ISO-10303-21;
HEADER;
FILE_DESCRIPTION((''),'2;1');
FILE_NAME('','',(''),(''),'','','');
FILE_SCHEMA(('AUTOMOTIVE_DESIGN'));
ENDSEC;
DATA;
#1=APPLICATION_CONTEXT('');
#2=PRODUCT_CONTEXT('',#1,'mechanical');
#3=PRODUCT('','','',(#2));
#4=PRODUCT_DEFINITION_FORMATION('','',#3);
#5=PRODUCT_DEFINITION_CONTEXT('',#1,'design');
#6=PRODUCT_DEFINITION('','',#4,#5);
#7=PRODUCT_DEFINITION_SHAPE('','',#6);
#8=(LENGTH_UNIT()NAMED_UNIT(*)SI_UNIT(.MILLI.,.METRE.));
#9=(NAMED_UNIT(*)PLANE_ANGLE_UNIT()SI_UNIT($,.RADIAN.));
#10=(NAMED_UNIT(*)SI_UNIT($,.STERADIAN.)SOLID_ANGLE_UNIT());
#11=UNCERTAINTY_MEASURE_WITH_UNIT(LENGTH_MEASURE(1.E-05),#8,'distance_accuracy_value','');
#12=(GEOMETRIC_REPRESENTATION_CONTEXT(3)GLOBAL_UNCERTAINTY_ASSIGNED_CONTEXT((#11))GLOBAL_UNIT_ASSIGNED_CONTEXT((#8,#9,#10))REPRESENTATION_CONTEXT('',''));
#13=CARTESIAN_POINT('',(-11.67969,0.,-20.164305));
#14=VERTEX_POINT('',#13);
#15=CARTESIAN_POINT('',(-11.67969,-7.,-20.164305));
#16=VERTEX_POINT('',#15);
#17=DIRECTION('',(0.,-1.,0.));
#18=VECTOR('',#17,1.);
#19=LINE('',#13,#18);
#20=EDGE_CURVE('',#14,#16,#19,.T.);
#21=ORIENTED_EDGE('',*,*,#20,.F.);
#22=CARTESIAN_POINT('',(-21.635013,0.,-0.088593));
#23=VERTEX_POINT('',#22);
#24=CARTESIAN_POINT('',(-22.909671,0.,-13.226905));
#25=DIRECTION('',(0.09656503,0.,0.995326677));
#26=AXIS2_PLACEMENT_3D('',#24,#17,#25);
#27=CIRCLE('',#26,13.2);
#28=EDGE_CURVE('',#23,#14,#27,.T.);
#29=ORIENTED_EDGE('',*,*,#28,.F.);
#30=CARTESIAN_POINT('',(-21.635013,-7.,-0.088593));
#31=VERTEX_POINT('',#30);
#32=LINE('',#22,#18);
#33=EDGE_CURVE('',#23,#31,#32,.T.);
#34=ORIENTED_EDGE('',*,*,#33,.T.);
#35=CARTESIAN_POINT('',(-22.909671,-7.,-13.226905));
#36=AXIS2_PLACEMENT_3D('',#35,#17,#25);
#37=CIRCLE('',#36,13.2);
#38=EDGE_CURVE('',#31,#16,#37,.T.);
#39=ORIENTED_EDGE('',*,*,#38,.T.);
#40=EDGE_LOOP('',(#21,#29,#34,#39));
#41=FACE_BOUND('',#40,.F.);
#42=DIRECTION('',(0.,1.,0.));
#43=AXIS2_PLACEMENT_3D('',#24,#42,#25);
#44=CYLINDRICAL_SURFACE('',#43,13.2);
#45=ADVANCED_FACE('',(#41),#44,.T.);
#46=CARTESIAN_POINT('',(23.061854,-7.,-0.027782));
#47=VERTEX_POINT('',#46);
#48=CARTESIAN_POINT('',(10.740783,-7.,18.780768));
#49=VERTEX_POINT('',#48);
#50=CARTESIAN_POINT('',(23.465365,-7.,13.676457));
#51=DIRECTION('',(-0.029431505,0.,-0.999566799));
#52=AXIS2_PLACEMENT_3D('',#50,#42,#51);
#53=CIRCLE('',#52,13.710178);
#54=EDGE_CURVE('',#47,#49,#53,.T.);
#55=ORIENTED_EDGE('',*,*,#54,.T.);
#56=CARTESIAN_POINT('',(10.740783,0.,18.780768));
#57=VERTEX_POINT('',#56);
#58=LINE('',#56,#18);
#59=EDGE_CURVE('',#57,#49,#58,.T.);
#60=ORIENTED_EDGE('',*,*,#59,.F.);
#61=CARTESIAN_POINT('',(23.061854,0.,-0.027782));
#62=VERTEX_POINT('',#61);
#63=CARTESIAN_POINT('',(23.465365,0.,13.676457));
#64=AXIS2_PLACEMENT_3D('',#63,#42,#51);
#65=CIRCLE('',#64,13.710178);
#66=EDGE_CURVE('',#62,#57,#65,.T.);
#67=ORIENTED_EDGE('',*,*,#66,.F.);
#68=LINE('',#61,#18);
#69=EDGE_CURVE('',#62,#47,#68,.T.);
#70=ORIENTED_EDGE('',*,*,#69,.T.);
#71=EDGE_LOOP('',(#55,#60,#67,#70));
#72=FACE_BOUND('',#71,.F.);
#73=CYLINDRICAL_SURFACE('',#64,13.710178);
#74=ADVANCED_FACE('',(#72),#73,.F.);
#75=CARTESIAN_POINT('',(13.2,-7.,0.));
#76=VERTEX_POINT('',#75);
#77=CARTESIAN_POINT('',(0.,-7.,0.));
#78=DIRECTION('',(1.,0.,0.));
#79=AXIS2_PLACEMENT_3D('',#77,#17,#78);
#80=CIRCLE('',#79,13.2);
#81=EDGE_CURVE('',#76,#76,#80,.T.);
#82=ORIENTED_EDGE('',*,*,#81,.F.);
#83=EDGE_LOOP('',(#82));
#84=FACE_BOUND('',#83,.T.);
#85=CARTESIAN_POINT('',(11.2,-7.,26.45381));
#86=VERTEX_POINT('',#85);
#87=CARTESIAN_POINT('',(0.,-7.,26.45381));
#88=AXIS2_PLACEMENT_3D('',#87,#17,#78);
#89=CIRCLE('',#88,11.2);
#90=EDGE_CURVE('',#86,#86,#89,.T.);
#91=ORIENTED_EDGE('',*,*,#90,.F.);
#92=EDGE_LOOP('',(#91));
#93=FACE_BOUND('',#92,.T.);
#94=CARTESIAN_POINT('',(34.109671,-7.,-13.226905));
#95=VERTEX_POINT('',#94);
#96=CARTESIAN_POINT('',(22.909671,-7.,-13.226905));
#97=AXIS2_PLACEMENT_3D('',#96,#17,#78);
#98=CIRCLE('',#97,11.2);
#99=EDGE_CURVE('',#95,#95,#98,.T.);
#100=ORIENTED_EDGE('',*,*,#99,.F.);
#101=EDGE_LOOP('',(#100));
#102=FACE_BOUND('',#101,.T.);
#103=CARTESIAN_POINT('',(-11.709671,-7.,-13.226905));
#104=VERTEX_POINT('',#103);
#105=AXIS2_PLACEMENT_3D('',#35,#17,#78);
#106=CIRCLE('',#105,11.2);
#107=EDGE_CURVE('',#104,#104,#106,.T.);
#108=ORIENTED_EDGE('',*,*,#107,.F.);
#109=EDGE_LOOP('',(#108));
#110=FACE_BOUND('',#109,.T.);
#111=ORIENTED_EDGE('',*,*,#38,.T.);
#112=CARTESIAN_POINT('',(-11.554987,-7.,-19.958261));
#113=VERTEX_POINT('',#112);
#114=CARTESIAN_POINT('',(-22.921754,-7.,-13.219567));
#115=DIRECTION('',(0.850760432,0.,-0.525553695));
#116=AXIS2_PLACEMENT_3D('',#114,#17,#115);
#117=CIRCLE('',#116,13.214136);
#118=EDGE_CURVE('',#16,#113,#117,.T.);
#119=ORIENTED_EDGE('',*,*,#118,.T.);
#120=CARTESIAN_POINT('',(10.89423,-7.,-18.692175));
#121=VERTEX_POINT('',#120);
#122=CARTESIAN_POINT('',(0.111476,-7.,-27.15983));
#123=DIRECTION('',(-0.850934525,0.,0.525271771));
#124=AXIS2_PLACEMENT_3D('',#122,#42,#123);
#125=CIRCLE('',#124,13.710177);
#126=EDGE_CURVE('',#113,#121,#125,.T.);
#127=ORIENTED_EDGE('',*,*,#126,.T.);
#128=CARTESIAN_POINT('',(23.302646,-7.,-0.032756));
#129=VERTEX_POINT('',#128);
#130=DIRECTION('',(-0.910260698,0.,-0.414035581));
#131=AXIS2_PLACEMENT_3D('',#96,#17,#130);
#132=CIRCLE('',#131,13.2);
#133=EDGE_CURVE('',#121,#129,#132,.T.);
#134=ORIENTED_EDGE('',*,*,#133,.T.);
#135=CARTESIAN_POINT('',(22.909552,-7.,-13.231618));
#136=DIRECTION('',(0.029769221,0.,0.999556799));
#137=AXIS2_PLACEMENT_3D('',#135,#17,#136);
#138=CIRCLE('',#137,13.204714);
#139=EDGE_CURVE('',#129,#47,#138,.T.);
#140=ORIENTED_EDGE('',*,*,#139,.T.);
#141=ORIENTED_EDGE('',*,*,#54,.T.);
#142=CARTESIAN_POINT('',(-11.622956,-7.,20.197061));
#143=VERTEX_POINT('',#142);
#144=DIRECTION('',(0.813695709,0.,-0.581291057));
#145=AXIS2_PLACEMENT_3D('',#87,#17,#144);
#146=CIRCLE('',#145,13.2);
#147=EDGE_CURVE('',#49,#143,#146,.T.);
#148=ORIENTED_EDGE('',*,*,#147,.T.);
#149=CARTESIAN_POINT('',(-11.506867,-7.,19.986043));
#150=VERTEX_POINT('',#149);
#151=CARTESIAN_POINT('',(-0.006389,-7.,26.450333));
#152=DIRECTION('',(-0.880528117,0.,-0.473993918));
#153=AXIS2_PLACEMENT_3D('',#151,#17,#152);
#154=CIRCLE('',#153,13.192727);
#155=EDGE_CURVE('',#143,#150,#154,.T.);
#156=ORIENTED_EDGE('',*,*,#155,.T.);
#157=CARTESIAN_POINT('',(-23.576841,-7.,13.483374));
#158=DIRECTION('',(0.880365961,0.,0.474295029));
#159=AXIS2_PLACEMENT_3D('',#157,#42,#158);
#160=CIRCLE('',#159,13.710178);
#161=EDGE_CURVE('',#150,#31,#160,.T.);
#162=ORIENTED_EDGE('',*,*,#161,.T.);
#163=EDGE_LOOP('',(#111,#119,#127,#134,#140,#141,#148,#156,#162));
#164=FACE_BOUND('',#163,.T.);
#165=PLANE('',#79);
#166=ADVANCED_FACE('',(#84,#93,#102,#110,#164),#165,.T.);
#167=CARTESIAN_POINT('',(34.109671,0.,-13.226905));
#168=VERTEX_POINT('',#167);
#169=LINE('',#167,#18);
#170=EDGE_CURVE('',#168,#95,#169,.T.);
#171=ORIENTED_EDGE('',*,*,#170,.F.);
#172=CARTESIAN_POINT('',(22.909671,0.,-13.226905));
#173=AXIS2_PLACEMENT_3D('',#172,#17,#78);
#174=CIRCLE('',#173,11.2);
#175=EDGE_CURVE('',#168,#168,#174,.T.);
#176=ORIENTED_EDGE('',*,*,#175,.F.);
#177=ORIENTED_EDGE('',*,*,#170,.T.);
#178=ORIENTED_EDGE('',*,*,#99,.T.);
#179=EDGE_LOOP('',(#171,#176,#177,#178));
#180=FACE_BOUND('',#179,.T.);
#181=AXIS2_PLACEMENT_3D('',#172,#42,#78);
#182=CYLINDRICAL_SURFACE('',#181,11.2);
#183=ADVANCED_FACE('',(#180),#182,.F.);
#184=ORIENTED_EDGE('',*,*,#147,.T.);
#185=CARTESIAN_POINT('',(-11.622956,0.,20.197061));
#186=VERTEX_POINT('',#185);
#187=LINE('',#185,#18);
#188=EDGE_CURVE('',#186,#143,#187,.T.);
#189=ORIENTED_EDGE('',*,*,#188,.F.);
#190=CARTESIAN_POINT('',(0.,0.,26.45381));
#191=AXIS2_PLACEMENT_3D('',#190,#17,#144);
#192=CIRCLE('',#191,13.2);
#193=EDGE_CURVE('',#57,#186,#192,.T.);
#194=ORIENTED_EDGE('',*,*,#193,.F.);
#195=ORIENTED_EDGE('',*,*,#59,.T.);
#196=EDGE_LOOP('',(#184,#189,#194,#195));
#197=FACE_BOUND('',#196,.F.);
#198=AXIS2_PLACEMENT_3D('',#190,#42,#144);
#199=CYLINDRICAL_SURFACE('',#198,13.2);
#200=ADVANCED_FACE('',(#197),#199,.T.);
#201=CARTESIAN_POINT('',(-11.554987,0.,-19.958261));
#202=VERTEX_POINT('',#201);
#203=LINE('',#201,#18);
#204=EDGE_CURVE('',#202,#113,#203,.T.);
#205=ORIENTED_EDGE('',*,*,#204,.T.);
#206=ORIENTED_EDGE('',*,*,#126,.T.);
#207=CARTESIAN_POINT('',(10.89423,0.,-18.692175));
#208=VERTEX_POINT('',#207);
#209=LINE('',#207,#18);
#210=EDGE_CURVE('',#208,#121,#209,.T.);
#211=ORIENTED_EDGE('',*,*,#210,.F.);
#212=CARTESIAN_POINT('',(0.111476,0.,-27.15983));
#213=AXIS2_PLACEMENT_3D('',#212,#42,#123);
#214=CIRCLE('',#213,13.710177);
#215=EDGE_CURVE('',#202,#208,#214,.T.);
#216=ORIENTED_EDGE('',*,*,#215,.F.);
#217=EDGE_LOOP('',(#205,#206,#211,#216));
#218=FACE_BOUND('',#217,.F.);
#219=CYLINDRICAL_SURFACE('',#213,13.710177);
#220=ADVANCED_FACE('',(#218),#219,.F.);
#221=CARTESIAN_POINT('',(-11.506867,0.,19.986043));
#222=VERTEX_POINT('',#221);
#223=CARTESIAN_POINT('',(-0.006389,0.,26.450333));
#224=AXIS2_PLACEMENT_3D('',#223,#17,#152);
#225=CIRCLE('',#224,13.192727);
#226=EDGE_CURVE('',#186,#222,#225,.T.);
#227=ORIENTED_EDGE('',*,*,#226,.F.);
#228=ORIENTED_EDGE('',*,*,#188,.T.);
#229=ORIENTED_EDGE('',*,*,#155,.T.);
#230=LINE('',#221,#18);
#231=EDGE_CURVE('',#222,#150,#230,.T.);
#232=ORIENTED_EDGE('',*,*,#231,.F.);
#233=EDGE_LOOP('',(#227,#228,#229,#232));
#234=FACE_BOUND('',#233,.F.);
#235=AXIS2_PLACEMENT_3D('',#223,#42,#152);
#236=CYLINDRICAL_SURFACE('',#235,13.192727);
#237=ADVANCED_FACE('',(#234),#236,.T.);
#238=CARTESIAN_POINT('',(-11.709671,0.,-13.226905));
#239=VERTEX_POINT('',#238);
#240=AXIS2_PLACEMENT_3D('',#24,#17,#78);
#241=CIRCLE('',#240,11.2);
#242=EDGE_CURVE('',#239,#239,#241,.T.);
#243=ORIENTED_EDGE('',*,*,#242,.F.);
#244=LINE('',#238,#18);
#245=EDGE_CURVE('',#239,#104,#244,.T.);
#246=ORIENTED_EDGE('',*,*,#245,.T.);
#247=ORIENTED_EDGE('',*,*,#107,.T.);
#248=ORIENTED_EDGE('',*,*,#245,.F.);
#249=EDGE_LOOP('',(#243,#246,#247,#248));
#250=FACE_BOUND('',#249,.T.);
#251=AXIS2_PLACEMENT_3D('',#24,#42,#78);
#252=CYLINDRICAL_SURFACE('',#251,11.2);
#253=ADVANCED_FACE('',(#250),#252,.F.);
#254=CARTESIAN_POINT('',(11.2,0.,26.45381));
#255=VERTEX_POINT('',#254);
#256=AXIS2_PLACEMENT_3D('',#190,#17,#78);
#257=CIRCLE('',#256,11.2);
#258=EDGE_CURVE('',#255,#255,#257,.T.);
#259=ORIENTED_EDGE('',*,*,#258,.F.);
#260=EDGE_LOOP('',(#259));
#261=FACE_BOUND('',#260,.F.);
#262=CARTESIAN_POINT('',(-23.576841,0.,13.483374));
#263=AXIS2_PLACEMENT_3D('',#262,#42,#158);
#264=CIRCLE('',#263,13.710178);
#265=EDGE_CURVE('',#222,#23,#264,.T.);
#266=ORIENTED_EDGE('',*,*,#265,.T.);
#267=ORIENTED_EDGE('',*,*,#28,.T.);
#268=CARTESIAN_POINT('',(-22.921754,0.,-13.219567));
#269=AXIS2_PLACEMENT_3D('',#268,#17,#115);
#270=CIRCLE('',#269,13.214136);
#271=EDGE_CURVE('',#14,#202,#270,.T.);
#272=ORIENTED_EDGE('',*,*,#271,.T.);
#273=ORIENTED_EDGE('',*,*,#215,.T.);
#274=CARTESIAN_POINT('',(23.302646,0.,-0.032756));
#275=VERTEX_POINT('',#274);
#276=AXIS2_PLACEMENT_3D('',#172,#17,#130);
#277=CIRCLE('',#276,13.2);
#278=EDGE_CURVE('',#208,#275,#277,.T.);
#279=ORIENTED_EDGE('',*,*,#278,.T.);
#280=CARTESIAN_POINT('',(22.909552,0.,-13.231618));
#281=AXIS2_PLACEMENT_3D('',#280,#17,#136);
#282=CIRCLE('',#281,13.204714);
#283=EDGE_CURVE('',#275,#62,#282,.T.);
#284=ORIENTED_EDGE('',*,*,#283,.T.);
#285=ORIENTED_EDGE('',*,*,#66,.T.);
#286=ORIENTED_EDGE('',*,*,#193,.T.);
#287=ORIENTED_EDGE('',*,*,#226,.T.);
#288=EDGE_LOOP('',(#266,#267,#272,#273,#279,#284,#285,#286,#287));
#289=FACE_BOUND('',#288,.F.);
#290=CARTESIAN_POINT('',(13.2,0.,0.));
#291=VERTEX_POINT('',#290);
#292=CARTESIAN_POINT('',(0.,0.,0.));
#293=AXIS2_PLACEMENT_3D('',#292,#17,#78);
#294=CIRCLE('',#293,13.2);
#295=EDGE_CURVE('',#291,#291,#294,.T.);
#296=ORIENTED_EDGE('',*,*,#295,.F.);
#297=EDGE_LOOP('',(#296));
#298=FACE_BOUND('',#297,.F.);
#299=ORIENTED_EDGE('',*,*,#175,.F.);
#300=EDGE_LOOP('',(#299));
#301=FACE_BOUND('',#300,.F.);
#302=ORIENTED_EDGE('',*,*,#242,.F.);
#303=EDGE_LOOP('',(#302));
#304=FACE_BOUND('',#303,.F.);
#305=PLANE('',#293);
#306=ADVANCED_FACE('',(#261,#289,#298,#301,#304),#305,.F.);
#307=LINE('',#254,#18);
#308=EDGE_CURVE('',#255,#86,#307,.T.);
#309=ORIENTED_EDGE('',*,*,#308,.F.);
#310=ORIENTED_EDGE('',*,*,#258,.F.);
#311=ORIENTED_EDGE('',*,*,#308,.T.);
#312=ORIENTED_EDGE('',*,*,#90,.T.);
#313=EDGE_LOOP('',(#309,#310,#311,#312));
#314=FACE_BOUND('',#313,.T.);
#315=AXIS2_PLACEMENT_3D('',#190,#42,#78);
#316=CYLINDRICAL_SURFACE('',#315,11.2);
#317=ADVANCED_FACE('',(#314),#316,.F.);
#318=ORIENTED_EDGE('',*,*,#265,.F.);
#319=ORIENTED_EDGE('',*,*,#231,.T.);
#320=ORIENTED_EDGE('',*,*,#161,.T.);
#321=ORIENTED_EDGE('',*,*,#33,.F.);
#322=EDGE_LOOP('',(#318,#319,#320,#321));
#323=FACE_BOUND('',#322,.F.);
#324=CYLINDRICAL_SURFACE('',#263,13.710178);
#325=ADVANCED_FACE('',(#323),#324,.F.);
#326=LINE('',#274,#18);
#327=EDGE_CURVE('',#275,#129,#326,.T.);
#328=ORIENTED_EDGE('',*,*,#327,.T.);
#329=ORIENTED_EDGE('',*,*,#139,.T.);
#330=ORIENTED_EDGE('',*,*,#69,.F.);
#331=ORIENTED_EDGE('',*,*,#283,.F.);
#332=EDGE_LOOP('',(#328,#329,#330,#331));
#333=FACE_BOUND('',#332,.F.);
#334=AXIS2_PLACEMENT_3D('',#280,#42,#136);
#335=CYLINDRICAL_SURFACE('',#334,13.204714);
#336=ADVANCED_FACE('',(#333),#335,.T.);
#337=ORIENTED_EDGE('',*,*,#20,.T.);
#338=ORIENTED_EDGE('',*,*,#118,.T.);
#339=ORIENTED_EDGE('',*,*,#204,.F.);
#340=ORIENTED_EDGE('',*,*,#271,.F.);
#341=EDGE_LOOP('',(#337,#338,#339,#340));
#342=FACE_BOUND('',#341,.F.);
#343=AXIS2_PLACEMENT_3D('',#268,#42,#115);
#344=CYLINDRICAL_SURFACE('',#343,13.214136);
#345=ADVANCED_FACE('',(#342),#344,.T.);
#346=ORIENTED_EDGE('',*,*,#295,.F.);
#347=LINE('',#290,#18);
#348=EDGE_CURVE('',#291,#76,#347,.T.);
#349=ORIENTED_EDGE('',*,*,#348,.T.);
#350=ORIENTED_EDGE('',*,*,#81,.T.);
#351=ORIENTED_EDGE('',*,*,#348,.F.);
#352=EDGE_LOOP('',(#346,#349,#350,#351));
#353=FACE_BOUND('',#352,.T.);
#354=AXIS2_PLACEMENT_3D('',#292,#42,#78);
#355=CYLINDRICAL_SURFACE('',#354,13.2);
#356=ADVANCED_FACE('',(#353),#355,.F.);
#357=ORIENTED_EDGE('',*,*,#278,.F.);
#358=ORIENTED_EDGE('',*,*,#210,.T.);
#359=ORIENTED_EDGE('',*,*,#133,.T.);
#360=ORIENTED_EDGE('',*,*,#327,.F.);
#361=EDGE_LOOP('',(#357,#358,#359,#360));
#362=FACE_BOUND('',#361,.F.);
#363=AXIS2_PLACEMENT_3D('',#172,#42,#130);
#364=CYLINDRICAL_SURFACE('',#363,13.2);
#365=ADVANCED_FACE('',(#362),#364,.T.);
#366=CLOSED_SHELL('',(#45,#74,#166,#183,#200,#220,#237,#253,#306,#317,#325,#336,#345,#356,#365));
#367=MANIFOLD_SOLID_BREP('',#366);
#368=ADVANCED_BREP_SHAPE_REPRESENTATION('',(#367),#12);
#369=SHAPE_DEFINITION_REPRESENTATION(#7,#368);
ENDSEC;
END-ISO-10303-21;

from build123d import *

# Parameters (mm, degrees)
F0_R     = 11.2
F0_R_2   = 13.2
F1_DEPTH = 7


with BuildPart() as f1:
    # F0 (on Front) → F1 (new body)
    with BuildSketch(Plane.XZ):
        with BuildLine():
            ThreePointArc((23.061854, -0.027782), (11.996839, 6.163675), (10.740783, 18.780768))
            ThreePointArc((10.740783, 18.780768), (0.834284, 39.627419), (-11.622956, 20.197061))
            ThreePointArc((-11.622956, 20.197061), (-11.564448, 20.091807), (-11.506867, 19.986043))
            ThreePointArc((-11.506867, 19.986043), (-11.336318, 7.30773), (-21.635013, -0.088593))
            ThreePointArc((-21.635013, -0.088593), (-34.735493, -19.091199), (-11.67969, -20.164305))
            ThreePointArc((-11.67969, -20.164305), (-11.617791, -20.061009), (-11.554987, -19.958261))
            ThreePointArc((-11.554987, -19.958261), (-0.660521, -13.471405), (10.89423, -18.692175))
            ThreePointArc((10.89423, -18.692175), (33.90121, -20.53622), (23.302646, -0.032756))
            ThreePointArc((23.302646, -0.032756), (23.182239, -0.030798), (23.061854, -0.027782))
        make_face()
        with Locations((-22.909671, -13.226905)):
            Circle(F0_R, mode=Mode.SUBTRACT)
        with Locations((22.909671, -13.226905)):
            Circle(F0_R, mode=Mode.SUBTRACT)
        Circle(F0_R_2, mode=Mode.SUBTRACT)
        with Locations((0, 26.45381)):
            Circle(F0_R, mode=Mode.SUBTRACT)
        with BuildLine():
            ThreePointArc((-11.506867, 19.986043), (-11.564448, 20.091807), (-11.622956, 20.197061))
            ThreePointArc((-11.622956, 20.197061), (-11.565393, 20.091287), (-11.506867, 19.986043))
        make_face()
        with BuildLine():
            ThreePointArc((23.302646, -0.032756), (23.182261, -0.02972), (23.061854, -0.027782))
            ThreePointArc((23.061854, -0.027782), (23.182239, -0.030798), (23.302646, -0.032756))
        make_face()
        with BuildLine():
            ThreePointArc((-11.554987, -19.958261), (-11.617791, -20.061009), (-11.67969, -20.164305))
            ThreePointArc((-11.67969, -20.164305), (-11.616869, -20.061567), (-11.554987, -19.958261))
        make_face()
    extrude(amount=F1_DEPTH)


solid = f1.part
